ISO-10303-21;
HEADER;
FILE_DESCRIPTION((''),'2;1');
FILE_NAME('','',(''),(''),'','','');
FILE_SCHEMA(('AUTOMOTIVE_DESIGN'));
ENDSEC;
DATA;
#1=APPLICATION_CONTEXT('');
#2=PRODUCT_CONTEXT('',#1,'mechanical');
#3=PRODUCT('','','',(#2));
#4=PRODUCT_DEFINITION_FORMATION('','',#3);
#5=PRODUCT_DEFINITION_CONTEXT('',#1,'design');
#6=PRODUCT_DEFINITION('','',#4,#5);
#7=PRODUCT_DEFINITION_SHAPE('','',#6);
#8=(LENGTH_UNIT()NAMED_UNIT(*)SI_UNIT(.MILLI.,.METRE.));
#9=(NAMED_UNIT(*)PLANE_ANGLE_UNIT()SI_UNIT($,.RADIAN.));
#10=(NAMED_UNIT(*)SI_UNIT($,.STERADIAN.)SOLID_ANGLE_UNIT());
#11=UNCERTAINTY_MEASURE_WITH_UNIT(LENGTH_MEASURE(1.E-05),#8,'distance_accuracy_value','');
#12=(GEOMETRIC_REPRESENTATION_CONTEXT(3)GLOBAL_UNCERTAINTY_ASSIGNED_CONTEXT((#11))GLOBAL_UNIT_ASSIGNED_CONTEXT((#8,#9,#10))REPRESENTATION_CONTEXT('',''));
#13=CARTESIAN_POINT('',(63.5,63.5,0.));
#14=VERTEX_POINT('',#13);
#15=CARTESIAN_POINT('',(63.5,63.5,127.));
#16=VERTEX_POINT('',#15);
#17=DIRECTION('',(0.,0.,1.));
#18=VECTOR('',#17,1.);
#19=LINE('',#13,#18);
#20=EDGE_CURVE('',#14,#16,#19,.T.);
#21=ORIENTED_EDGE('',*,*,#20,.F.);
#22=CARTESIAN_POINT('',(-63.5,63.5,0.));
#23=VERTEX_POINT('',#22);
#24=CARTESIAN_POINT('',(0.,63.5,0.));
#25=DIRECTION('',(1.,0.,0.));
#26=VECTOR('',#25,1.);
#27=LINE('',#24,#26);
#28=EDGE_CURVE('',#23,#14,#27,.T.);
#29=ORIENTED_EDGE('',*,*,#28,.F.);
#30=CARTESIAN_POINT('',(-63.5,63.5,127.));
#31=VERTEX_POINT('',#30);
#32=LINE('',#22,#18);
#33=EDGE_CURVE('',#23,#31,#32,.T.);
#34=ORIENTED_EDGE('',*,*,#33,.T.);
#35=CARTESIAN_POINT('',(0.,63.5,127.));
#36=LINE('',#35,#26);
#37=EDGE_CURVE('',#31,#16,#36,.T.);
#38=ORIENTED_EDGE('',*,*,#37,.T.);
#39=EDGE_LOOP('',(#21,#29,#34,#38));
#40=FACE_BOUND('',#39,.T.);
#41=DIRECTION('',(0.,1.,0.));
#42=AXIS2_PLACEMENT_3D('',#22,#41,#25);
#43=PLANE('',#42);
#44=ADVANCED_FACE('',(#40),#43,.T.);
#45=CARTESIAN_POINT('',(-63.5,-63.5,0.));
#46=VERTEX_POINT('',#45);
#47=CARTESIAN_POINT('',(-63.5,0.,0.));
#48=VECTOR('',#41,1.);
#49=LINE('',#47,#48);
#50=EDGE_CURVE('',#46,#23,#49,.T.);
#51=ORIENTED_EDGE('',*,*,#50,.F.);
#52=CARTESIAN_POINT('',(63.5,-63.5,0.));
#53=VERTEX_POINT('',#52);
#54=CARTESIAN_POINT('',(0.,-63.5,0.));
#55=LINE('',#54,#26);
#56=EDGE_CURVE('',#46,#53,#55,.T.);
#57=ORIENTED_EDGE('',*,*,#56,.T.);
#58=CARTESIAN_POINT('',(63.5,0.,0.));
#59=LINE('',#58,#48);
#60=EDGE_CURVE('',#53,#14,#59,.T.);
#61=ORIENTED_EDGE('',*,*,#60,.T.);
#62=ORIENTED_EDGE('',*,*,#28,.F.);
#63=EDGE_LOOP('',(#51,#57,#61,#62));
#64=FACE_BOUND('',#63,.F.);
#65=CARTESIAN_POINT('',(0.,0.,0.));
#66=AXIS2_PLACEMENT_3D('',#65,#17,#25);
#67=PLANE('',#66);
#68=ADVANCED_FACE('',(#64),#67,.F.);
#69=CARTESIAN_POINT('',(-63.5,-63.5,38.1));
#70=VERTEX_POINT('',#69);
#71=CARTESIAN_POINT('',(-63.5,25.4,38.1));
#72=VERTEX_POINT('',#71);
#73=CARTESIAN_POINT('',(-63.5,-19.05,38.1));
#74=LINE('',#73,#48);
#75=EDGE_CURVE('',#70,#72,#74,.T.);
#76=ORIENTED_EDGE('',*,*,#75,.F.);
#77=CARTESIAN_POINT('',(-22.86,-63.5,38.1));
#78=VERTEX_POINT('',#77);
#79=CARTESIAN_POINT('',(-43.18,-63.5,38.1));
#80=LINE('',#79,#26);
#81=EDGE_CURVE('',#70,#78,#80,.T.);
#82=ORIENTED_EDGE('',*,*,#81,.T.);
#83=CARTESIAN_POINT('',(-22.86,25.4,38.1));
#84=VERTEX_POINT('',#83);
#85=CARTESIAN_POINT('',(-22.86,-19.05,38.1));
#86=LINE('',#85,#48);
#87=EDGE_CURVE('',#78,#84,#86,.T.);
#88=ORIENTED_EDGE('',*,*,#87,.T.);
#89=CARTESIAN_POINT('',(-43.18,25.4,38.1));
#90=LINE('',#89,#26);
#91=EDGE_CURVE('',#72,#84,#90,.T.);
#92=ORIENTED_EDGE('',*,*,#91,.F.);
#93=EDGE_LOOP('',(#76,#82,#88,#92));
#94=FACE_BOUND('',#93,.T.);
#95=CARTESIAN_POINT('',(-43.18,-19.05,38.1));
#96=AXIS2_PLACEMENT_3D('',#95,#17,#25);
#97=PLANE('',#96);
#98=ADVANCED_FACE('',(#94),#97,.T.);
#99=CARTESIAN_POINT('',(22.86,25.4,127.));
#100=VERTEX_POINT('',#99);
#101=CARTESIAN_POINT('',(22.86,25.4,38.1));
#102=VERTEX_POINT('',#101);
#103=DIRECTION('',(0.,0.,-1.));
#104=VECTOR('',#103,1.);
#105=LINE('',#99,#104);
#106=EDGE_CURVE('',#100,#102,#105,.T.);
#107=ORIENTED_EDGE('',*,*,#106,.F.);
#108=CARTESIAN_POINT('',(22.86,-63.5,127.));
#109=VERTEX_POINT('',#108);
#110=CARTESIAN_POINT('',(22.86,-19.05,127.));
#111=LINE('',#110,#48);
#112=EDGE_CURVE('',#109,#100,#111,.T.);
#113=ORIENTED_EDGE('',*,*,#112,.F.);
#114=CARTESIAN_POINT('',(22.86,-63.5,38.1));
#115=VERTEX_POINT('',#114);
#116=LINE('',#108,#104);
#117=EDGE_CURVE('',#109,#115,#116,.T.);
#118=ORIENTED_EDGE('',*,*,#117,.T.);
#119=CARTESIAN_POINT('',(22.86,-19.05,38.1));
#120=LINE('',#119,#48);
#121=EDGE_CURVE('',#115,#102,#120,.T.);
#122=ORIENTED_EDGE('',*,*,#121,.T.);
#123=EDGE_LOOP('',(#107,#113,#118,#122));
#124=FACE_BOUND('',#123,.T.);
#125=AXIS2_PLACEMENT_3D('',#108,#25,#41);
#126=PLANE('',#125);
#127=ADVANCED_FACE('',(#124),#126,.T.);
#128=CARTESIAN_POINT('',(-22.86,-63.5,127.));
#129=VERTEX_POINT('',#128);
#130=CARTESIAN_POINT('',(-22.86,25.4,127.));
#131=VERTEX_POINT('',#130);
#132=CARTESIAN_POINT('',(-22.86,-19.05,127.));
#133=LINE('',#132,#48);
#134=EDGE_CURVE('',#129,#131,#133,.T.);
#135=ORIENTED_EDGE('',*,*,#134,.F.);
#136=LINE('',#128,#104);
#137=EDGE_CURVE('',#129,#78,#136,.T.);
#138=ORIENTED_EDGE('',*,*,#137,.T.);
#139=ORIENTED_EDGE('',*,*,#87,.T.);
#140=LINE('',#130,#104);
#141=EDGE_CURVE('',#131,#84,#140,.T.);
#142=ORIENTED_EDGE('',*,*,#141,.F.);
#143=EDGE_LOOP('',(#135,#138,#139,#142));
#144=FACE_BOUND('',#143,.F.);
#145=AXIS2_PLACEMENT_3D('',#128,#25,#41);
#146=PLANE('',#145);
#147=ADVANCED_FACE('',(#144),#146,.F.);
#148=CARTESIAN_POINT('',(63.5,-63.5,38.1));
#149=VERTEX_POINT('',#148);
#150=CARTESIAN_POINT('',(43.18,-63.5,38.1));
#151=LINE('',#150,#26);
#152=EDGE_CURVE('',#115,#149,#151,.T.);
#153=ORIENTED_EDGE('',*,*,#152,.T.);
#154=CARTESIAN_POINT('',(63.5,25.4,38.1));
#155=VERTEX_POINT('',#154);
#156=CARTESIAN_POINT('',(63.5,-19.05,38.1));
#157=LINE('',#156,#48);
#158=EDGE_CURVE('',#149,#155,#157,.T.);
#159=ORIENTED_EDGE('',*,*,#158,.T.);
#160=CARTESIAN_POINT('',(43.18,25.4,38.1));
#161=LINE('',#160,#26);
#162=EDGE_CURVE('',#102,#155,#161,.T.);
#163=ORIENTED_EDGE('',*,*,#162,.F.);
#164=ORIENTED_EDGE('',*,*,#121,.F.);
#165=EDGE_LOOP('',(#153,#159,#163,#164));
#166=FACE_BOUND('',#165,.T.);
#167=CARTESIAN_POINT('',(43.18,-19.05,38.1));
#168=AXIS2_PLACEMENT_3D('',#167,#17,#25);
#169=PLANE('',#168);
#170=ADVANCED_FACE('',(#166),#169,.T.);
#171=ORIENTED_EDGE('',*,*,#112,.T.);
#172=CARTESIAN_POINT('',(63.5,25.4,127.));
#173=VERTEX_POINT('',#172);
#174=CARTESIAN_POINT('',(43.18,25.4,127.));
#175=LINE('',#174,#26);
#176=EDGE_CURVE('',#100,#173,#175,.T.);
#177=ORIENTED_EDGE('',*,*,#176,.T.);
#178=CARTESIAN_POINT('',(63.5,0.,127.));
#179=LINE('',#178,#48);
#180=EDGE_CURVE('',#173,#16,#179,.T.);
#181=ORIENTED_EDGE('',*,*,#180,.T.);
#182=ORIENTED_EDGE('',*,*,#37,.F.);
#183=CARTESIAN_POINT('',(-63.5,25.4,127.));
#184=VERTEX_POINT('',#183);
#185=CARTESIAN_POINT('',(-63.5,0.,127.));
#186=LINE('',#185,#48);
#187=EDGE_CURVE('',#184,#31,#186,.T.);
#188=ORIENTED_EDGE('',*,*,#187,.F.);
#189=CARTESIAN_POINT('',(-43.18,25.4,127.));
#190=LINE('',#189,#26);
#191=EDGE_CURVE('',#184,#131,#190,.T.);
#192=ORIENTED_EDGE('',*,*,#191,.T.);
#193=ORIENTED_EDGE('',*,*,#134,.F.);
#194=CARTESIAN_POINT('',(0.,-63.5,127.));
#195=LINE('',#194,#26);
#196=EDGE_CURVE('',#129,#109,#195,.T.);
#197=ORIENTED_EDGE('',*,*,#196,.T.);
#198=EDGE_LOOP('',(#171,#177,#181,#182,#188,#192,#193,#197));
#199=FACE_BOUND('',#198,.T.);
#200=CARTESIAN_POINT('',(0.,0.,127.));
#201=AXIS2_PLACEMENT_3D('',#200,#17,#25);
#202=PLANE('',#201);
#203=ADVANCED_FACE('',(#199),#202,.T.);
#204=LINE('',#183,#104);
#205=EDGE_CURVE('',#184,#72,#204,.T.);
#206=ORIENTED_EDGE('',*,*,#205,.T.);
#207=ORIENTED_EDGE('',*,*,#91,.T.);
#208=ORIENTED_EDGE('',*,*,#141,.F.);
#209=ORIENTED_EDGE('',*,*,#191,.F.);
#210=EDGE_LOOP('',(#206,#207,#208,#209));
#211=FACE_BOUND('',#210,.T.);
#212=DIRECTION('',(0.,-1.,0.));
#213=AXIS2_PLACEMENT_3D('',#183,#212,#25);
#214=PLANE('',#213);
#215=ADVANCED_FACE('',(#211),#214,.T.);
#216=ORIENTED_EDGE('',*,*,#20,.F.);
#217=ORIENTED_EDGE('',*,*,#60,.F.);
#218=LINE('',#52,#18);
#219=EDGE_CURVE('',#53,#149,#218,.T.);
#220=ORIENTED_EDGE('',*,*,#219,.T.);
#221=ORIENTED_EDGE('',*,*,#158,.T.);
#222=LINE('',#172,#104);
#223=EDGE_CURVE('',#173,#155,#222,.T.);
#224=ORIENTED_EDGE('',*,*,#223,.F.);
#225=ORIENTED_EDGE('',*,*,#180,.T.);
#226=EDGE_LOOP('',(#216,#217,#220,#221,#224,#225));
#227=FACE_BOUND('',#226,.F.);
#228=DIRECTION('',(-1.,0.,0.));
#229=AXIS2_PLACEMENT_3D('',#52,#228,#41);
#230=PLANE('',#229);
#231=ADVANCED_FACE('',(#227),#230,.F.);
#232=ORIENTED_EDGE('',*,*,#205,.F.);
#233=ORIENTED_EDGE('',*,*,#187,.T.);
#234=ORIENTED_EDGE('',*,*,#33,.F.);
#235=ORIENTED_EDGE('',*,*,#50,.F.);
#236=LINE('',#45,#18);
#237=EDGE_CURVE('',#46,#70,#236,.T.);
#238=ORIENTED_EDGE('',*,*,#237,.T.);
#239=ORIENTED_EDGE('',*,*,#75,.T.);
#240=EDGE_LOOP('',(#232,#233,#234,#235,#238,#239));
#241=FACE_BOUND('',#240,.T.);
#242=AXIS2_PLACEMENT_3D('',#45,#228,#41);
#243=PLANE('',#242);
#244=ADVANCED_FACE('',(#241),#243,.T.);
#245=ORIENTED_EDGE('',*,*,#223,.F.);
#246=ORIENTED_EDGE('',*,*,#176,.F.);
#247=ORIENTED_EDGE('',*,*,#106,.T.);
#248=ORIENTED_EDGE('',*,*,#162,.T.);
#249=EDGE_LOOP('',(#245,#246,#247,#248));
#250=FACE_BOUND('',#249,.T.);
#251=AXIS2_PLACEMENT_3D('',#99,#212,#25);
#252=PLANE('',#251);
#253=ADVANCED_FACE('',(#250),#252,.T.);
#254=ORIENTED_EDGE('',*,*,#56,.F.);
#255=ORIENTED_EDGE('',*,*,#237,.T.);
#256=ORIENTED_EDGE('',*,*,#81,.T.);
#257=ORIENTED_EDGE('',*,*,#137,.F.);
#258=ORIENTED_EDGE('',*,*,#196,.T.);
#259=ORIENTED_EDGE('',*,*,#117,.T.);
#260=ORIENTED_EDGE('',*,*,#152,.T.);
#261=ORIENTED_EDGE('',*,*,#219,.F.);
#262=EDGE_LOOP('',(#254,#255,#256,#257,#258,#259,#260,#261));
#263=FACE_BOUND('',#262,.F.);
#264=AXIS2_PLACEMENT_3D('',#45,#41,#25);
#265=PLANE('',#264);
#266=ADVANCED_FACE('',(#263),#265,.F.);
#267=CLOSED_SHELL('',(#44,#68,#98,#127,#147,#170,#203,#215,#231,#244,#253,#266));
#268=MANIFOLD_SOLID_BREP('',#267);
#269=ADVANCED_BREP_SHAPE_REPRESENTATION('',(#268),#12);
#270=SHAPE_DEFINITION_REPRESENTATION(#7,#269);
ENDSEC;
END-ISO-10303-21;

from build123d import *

# Parameters (mm, degrees)
F0_W     = 127
F0_H     = 127
F1_DEPTH = 127
F2_W     = 40.64
F2_H     = 88.9
F3_DEPTH = 88.9


with BuildPart() as f1:
    # F0 (on Top) → F1 (new body)
    with BuildSketch(Plane.XY):
        Rectangle(F0_W, F0_H)
    extrude(amount=F1_DEPTH)

    # F2 (on face) → F3 (cut)
    with BuildSketch(Plane.XY.offset(127)):
        with Locations((-43.18, -19.05)):
            Rectangle(F2_W, F2_H)
        with Locations((43.18, -19.05)):
            Rectangle(F2_W, F2_H)
    extrude(amount=-F3_DEPTH, mode=Mode.SUBTRACT)


solid = f1.part
